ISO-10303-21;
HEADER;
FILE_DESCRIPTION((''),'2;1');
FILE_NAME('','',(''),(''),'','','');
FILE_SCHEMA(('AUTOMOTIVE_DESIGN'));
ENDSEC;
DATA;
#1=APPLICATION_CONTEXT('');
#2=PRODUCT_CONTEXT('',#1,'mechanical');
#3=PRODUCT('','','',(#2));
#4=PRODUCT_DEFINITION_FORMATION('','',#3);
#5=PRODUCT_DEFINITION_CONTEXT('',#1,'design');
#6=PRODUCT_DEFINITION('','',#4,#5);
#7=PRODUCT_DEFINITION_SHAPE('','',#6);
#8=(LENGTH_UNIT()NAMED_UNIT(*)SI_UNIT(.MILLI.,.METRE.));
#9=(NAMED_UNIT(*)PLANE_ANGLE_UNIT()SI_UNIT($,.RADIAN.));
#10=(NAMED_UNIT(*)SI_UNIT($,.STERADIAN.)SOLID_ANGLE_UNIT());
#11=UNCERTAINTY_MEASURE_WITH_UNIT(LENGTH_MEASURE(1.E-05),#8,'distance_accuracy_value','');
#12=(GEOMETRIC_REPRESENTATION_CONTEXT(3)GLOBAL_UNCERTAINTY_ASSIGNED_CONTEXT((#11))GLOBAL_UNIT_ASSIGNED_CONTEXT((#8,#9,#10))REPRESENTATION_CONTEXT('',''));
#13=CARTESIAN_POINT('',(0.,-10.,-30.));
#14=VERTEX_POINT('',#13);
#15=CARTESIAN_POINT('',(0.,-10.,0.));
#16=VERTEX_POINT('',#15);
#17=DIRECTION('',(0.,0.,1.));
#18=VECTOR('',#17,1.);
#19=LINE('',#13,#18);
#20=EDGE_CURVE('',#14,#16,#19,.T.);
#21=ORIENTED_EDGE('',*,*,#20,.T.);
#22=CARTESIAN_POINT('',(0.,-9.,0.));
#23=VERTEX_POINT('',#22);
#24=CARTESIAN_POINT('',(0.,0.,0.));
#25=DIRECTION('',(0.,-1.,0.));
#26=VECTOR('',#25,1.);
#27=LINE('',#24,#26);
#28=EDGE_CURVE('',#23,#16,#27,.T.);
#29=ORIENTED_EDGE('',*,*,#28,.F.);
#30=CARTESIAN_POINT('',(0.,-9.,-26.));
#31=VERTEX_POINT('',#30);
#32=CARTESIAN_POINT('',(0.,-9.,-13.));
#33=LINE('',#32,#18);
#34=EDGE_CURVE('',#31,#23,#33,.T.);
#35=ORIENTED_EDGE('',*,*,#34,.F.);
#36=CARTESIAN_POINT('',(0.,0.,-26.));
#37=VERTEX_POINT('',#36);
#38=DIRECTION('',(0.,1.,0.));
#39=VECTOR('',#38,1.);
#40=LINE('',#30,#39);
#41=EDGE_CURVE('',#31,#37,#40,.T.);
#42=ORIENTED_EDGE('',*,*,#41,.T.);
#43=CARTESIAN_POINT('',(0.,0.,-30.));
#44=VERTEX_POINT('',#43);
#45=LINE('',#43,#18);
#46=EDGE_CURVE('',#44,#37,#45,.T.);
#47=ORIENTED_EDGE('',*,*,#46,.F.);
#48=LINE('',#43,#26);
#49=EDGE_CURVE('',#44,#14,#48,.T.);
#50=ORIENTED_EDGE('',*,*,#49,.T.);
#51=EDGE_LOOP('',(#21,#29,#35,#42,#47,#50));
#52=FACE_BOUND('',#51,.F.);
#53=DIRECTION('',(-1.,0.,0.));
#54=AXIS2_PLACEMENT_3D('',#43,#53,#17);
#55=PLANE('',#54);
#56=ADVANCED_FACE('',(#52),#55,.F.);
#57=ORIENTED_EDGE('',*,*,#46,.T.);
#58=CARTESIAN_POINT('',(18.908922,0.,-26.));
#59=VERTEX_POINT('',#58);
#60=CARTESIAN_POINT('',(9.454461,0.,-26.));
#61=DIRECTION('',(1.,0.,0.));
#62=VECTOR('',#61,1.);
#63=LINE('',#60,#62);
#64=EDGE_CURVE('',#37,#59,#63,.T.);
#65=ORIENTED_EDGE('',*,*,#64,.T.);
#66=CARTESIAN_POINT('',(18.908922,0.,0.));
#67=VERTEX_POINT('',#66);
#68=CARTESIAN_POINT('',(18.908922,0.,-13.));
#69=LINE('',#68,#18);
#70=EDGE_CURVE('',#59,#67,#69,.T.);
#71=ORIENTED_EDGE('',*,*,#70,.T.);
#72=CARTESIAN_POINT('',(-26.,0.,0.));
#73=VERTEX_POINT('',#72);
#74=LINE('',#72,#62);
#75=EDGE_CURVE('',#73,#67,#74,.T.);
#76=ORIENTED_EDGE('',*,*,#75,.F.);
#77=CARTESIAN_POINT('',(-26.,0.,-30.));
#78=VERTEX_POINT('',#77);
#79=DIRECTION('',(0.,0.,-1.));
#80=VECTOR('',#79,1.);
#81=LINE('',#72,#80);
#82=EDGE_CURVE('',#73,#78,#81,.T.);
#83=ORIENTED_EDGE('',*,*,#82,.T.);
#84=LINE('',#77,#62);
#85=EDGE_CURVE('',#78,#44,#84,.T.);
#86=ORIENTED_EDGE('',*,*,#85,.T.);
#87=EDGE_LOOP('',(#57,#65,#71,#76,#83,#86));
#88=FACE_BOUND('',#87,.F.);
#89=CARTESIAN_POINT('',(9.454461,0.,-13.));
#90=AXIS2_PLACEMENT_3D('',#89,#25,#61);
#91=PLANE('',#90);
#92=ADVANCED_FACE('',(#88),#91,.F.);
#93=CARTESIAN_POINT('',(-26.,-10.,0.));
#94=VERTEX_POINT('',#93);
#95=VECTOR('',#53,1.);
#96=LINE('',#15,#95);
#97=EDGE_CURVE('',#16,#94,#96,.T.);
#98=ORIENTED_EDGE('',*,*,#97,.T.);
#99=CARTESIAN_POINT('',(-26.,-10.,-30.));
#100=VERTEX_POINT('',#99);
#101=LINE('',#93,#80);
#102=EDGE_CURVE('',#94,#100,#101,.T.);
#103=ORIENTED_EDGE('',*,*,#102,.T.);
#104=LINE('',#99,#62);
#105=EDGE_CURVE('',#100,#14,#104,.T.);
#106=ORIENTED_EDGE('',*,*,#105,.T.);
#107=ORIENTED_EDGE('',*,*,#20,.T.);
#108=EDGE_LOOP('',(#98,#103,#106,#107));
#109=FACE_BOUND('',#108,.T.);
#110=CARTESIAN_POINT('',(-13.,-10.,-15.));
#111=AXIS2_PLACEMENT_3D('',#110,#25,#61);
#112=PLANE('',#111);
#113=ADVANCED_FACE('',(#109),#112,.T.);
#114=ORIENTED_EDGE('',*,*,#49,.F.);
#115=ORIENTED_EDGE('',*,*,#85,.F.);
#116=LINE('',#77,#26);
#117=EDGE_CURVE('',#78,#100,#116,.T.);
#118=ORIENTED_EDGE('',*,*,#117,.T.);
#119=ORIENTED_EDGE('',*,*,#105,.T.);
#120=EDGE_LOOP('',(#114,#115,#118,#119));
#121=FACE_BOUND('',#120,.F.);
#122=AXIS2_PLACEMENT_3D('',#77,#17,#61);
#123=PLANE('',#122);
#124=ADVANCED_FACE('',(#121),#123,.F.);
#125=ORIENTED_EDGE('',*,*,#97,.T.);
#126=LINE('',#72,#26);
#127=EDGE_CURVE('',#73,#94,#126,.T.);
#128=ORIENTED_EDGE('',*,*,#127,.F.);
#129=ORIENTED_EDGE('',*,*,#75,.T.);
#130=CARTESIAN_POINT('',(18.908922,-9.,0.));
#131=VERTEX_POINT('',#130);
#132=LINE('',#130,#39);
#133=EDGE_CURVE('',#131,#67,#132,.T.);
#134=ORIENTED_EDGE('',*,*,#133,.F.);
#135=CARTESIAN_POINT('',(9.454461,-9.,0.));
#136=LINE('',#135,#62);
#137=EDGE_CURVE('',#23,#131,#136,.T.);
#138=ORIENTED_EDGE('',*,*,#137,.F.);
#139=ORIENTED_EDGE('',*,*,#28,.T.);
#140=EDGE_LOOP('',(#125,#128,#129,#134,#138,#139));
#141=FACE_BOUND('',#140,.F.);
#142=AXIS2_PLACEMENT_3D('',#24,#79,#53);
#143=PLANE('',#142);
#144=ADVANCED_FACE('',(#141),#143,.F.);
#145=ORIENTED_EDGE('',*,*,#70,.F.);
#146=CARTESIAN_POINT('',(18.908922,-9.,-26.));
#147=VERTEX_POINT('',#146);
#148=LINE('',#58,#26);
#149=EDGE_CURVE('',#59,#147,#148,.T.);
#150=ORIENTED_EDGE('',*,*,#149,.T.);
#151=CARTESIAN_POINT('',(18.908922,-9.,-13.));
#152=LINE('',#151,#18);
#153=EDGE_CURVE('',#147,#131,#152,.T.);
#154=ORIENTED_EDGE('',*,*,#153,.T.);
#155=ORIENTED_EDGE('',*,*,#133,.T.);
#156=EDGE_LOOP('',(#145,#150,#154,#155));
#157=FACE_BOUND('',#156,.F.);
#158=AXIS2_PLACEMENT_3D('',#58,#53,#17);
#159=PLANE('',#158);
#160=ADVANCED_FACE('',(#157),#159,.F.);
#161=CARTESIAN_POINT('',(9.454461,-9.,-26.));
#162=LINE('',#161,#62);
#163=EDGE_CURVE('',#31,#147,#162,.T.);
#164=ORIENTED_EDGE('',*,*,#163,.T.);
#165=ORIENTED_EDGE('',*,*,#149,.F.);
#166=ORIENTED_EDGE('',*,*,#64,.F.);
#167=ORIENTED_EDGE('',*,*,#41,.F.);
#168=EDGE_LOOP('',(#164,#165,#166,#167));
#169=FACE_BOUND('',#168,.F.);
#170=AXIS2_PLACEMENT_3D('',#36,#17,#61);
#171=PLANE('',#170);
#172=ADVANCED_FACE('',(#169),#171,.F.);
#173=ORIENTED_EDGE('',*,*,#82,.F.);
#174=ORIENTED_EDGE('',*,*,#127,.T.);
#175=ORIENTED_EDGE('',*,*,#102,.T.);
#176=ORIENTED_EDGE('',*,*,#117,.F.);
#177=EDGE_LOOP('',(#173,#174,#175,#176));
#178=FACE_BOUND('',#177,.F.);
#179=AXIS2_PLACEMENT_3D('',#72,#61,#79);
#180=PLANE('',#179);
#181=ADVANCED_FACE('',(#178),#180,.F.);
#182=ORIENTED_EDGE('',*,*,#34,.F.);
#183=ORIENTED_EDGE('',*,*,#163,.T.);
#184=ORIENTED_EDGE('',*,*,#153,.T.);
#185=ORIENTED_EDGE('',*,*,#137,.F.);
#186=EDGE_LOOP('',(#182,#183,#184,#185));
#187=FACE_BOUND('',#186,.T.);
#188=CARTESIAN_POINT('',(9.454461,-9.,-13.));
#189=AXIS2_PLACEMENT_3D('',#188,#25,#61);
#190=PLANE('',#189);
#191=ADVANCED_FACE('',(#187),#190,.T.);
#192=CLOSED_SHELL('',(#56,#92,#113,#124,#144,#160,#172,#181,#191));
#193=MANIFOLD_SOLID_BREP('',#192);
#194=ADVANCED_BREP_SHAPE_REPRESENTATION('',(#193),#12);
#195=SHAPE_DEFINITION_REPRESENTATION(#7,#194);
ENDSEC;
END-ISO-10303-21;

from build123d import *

# Parameters (mm, degrees)
F1_DEPTH = 10
F0_W     = 18.908922
F0_H     = 26
F2_DEPTH = 9
F4_DEPTH = 1


with BuildPart() as f1:
    # F0 (on Front) → F1 (new body)
    with BuildSketch(Plane.XZ):
        Polygon((0, -26), (0, 0), (-26, 0), (-26, -30), (0, -30), align=None)
    extrude(amount=F1_DEPTH)

    # F0 (on Front) → F2 (join)
    with BuildSketch(Plane.XZ):
        with Locations((9.454461, -13)):
            Rectangle(F0_W, F0_H)
    extrude(amount=F2_DEPTH)

    # F3 (on face) → F4 (cut)
    with BuildSketch(Plane.XZ):
        Polygon((21.377379, 0), (18.908922, 0), (18.908922, -26), (0, -26), (0, -30.423839), (21.377379, -30.423839), align=None)
    extrude(amount=F4_DEPTH, mode=Mode.SUBTRACT)


solid = f1.part
